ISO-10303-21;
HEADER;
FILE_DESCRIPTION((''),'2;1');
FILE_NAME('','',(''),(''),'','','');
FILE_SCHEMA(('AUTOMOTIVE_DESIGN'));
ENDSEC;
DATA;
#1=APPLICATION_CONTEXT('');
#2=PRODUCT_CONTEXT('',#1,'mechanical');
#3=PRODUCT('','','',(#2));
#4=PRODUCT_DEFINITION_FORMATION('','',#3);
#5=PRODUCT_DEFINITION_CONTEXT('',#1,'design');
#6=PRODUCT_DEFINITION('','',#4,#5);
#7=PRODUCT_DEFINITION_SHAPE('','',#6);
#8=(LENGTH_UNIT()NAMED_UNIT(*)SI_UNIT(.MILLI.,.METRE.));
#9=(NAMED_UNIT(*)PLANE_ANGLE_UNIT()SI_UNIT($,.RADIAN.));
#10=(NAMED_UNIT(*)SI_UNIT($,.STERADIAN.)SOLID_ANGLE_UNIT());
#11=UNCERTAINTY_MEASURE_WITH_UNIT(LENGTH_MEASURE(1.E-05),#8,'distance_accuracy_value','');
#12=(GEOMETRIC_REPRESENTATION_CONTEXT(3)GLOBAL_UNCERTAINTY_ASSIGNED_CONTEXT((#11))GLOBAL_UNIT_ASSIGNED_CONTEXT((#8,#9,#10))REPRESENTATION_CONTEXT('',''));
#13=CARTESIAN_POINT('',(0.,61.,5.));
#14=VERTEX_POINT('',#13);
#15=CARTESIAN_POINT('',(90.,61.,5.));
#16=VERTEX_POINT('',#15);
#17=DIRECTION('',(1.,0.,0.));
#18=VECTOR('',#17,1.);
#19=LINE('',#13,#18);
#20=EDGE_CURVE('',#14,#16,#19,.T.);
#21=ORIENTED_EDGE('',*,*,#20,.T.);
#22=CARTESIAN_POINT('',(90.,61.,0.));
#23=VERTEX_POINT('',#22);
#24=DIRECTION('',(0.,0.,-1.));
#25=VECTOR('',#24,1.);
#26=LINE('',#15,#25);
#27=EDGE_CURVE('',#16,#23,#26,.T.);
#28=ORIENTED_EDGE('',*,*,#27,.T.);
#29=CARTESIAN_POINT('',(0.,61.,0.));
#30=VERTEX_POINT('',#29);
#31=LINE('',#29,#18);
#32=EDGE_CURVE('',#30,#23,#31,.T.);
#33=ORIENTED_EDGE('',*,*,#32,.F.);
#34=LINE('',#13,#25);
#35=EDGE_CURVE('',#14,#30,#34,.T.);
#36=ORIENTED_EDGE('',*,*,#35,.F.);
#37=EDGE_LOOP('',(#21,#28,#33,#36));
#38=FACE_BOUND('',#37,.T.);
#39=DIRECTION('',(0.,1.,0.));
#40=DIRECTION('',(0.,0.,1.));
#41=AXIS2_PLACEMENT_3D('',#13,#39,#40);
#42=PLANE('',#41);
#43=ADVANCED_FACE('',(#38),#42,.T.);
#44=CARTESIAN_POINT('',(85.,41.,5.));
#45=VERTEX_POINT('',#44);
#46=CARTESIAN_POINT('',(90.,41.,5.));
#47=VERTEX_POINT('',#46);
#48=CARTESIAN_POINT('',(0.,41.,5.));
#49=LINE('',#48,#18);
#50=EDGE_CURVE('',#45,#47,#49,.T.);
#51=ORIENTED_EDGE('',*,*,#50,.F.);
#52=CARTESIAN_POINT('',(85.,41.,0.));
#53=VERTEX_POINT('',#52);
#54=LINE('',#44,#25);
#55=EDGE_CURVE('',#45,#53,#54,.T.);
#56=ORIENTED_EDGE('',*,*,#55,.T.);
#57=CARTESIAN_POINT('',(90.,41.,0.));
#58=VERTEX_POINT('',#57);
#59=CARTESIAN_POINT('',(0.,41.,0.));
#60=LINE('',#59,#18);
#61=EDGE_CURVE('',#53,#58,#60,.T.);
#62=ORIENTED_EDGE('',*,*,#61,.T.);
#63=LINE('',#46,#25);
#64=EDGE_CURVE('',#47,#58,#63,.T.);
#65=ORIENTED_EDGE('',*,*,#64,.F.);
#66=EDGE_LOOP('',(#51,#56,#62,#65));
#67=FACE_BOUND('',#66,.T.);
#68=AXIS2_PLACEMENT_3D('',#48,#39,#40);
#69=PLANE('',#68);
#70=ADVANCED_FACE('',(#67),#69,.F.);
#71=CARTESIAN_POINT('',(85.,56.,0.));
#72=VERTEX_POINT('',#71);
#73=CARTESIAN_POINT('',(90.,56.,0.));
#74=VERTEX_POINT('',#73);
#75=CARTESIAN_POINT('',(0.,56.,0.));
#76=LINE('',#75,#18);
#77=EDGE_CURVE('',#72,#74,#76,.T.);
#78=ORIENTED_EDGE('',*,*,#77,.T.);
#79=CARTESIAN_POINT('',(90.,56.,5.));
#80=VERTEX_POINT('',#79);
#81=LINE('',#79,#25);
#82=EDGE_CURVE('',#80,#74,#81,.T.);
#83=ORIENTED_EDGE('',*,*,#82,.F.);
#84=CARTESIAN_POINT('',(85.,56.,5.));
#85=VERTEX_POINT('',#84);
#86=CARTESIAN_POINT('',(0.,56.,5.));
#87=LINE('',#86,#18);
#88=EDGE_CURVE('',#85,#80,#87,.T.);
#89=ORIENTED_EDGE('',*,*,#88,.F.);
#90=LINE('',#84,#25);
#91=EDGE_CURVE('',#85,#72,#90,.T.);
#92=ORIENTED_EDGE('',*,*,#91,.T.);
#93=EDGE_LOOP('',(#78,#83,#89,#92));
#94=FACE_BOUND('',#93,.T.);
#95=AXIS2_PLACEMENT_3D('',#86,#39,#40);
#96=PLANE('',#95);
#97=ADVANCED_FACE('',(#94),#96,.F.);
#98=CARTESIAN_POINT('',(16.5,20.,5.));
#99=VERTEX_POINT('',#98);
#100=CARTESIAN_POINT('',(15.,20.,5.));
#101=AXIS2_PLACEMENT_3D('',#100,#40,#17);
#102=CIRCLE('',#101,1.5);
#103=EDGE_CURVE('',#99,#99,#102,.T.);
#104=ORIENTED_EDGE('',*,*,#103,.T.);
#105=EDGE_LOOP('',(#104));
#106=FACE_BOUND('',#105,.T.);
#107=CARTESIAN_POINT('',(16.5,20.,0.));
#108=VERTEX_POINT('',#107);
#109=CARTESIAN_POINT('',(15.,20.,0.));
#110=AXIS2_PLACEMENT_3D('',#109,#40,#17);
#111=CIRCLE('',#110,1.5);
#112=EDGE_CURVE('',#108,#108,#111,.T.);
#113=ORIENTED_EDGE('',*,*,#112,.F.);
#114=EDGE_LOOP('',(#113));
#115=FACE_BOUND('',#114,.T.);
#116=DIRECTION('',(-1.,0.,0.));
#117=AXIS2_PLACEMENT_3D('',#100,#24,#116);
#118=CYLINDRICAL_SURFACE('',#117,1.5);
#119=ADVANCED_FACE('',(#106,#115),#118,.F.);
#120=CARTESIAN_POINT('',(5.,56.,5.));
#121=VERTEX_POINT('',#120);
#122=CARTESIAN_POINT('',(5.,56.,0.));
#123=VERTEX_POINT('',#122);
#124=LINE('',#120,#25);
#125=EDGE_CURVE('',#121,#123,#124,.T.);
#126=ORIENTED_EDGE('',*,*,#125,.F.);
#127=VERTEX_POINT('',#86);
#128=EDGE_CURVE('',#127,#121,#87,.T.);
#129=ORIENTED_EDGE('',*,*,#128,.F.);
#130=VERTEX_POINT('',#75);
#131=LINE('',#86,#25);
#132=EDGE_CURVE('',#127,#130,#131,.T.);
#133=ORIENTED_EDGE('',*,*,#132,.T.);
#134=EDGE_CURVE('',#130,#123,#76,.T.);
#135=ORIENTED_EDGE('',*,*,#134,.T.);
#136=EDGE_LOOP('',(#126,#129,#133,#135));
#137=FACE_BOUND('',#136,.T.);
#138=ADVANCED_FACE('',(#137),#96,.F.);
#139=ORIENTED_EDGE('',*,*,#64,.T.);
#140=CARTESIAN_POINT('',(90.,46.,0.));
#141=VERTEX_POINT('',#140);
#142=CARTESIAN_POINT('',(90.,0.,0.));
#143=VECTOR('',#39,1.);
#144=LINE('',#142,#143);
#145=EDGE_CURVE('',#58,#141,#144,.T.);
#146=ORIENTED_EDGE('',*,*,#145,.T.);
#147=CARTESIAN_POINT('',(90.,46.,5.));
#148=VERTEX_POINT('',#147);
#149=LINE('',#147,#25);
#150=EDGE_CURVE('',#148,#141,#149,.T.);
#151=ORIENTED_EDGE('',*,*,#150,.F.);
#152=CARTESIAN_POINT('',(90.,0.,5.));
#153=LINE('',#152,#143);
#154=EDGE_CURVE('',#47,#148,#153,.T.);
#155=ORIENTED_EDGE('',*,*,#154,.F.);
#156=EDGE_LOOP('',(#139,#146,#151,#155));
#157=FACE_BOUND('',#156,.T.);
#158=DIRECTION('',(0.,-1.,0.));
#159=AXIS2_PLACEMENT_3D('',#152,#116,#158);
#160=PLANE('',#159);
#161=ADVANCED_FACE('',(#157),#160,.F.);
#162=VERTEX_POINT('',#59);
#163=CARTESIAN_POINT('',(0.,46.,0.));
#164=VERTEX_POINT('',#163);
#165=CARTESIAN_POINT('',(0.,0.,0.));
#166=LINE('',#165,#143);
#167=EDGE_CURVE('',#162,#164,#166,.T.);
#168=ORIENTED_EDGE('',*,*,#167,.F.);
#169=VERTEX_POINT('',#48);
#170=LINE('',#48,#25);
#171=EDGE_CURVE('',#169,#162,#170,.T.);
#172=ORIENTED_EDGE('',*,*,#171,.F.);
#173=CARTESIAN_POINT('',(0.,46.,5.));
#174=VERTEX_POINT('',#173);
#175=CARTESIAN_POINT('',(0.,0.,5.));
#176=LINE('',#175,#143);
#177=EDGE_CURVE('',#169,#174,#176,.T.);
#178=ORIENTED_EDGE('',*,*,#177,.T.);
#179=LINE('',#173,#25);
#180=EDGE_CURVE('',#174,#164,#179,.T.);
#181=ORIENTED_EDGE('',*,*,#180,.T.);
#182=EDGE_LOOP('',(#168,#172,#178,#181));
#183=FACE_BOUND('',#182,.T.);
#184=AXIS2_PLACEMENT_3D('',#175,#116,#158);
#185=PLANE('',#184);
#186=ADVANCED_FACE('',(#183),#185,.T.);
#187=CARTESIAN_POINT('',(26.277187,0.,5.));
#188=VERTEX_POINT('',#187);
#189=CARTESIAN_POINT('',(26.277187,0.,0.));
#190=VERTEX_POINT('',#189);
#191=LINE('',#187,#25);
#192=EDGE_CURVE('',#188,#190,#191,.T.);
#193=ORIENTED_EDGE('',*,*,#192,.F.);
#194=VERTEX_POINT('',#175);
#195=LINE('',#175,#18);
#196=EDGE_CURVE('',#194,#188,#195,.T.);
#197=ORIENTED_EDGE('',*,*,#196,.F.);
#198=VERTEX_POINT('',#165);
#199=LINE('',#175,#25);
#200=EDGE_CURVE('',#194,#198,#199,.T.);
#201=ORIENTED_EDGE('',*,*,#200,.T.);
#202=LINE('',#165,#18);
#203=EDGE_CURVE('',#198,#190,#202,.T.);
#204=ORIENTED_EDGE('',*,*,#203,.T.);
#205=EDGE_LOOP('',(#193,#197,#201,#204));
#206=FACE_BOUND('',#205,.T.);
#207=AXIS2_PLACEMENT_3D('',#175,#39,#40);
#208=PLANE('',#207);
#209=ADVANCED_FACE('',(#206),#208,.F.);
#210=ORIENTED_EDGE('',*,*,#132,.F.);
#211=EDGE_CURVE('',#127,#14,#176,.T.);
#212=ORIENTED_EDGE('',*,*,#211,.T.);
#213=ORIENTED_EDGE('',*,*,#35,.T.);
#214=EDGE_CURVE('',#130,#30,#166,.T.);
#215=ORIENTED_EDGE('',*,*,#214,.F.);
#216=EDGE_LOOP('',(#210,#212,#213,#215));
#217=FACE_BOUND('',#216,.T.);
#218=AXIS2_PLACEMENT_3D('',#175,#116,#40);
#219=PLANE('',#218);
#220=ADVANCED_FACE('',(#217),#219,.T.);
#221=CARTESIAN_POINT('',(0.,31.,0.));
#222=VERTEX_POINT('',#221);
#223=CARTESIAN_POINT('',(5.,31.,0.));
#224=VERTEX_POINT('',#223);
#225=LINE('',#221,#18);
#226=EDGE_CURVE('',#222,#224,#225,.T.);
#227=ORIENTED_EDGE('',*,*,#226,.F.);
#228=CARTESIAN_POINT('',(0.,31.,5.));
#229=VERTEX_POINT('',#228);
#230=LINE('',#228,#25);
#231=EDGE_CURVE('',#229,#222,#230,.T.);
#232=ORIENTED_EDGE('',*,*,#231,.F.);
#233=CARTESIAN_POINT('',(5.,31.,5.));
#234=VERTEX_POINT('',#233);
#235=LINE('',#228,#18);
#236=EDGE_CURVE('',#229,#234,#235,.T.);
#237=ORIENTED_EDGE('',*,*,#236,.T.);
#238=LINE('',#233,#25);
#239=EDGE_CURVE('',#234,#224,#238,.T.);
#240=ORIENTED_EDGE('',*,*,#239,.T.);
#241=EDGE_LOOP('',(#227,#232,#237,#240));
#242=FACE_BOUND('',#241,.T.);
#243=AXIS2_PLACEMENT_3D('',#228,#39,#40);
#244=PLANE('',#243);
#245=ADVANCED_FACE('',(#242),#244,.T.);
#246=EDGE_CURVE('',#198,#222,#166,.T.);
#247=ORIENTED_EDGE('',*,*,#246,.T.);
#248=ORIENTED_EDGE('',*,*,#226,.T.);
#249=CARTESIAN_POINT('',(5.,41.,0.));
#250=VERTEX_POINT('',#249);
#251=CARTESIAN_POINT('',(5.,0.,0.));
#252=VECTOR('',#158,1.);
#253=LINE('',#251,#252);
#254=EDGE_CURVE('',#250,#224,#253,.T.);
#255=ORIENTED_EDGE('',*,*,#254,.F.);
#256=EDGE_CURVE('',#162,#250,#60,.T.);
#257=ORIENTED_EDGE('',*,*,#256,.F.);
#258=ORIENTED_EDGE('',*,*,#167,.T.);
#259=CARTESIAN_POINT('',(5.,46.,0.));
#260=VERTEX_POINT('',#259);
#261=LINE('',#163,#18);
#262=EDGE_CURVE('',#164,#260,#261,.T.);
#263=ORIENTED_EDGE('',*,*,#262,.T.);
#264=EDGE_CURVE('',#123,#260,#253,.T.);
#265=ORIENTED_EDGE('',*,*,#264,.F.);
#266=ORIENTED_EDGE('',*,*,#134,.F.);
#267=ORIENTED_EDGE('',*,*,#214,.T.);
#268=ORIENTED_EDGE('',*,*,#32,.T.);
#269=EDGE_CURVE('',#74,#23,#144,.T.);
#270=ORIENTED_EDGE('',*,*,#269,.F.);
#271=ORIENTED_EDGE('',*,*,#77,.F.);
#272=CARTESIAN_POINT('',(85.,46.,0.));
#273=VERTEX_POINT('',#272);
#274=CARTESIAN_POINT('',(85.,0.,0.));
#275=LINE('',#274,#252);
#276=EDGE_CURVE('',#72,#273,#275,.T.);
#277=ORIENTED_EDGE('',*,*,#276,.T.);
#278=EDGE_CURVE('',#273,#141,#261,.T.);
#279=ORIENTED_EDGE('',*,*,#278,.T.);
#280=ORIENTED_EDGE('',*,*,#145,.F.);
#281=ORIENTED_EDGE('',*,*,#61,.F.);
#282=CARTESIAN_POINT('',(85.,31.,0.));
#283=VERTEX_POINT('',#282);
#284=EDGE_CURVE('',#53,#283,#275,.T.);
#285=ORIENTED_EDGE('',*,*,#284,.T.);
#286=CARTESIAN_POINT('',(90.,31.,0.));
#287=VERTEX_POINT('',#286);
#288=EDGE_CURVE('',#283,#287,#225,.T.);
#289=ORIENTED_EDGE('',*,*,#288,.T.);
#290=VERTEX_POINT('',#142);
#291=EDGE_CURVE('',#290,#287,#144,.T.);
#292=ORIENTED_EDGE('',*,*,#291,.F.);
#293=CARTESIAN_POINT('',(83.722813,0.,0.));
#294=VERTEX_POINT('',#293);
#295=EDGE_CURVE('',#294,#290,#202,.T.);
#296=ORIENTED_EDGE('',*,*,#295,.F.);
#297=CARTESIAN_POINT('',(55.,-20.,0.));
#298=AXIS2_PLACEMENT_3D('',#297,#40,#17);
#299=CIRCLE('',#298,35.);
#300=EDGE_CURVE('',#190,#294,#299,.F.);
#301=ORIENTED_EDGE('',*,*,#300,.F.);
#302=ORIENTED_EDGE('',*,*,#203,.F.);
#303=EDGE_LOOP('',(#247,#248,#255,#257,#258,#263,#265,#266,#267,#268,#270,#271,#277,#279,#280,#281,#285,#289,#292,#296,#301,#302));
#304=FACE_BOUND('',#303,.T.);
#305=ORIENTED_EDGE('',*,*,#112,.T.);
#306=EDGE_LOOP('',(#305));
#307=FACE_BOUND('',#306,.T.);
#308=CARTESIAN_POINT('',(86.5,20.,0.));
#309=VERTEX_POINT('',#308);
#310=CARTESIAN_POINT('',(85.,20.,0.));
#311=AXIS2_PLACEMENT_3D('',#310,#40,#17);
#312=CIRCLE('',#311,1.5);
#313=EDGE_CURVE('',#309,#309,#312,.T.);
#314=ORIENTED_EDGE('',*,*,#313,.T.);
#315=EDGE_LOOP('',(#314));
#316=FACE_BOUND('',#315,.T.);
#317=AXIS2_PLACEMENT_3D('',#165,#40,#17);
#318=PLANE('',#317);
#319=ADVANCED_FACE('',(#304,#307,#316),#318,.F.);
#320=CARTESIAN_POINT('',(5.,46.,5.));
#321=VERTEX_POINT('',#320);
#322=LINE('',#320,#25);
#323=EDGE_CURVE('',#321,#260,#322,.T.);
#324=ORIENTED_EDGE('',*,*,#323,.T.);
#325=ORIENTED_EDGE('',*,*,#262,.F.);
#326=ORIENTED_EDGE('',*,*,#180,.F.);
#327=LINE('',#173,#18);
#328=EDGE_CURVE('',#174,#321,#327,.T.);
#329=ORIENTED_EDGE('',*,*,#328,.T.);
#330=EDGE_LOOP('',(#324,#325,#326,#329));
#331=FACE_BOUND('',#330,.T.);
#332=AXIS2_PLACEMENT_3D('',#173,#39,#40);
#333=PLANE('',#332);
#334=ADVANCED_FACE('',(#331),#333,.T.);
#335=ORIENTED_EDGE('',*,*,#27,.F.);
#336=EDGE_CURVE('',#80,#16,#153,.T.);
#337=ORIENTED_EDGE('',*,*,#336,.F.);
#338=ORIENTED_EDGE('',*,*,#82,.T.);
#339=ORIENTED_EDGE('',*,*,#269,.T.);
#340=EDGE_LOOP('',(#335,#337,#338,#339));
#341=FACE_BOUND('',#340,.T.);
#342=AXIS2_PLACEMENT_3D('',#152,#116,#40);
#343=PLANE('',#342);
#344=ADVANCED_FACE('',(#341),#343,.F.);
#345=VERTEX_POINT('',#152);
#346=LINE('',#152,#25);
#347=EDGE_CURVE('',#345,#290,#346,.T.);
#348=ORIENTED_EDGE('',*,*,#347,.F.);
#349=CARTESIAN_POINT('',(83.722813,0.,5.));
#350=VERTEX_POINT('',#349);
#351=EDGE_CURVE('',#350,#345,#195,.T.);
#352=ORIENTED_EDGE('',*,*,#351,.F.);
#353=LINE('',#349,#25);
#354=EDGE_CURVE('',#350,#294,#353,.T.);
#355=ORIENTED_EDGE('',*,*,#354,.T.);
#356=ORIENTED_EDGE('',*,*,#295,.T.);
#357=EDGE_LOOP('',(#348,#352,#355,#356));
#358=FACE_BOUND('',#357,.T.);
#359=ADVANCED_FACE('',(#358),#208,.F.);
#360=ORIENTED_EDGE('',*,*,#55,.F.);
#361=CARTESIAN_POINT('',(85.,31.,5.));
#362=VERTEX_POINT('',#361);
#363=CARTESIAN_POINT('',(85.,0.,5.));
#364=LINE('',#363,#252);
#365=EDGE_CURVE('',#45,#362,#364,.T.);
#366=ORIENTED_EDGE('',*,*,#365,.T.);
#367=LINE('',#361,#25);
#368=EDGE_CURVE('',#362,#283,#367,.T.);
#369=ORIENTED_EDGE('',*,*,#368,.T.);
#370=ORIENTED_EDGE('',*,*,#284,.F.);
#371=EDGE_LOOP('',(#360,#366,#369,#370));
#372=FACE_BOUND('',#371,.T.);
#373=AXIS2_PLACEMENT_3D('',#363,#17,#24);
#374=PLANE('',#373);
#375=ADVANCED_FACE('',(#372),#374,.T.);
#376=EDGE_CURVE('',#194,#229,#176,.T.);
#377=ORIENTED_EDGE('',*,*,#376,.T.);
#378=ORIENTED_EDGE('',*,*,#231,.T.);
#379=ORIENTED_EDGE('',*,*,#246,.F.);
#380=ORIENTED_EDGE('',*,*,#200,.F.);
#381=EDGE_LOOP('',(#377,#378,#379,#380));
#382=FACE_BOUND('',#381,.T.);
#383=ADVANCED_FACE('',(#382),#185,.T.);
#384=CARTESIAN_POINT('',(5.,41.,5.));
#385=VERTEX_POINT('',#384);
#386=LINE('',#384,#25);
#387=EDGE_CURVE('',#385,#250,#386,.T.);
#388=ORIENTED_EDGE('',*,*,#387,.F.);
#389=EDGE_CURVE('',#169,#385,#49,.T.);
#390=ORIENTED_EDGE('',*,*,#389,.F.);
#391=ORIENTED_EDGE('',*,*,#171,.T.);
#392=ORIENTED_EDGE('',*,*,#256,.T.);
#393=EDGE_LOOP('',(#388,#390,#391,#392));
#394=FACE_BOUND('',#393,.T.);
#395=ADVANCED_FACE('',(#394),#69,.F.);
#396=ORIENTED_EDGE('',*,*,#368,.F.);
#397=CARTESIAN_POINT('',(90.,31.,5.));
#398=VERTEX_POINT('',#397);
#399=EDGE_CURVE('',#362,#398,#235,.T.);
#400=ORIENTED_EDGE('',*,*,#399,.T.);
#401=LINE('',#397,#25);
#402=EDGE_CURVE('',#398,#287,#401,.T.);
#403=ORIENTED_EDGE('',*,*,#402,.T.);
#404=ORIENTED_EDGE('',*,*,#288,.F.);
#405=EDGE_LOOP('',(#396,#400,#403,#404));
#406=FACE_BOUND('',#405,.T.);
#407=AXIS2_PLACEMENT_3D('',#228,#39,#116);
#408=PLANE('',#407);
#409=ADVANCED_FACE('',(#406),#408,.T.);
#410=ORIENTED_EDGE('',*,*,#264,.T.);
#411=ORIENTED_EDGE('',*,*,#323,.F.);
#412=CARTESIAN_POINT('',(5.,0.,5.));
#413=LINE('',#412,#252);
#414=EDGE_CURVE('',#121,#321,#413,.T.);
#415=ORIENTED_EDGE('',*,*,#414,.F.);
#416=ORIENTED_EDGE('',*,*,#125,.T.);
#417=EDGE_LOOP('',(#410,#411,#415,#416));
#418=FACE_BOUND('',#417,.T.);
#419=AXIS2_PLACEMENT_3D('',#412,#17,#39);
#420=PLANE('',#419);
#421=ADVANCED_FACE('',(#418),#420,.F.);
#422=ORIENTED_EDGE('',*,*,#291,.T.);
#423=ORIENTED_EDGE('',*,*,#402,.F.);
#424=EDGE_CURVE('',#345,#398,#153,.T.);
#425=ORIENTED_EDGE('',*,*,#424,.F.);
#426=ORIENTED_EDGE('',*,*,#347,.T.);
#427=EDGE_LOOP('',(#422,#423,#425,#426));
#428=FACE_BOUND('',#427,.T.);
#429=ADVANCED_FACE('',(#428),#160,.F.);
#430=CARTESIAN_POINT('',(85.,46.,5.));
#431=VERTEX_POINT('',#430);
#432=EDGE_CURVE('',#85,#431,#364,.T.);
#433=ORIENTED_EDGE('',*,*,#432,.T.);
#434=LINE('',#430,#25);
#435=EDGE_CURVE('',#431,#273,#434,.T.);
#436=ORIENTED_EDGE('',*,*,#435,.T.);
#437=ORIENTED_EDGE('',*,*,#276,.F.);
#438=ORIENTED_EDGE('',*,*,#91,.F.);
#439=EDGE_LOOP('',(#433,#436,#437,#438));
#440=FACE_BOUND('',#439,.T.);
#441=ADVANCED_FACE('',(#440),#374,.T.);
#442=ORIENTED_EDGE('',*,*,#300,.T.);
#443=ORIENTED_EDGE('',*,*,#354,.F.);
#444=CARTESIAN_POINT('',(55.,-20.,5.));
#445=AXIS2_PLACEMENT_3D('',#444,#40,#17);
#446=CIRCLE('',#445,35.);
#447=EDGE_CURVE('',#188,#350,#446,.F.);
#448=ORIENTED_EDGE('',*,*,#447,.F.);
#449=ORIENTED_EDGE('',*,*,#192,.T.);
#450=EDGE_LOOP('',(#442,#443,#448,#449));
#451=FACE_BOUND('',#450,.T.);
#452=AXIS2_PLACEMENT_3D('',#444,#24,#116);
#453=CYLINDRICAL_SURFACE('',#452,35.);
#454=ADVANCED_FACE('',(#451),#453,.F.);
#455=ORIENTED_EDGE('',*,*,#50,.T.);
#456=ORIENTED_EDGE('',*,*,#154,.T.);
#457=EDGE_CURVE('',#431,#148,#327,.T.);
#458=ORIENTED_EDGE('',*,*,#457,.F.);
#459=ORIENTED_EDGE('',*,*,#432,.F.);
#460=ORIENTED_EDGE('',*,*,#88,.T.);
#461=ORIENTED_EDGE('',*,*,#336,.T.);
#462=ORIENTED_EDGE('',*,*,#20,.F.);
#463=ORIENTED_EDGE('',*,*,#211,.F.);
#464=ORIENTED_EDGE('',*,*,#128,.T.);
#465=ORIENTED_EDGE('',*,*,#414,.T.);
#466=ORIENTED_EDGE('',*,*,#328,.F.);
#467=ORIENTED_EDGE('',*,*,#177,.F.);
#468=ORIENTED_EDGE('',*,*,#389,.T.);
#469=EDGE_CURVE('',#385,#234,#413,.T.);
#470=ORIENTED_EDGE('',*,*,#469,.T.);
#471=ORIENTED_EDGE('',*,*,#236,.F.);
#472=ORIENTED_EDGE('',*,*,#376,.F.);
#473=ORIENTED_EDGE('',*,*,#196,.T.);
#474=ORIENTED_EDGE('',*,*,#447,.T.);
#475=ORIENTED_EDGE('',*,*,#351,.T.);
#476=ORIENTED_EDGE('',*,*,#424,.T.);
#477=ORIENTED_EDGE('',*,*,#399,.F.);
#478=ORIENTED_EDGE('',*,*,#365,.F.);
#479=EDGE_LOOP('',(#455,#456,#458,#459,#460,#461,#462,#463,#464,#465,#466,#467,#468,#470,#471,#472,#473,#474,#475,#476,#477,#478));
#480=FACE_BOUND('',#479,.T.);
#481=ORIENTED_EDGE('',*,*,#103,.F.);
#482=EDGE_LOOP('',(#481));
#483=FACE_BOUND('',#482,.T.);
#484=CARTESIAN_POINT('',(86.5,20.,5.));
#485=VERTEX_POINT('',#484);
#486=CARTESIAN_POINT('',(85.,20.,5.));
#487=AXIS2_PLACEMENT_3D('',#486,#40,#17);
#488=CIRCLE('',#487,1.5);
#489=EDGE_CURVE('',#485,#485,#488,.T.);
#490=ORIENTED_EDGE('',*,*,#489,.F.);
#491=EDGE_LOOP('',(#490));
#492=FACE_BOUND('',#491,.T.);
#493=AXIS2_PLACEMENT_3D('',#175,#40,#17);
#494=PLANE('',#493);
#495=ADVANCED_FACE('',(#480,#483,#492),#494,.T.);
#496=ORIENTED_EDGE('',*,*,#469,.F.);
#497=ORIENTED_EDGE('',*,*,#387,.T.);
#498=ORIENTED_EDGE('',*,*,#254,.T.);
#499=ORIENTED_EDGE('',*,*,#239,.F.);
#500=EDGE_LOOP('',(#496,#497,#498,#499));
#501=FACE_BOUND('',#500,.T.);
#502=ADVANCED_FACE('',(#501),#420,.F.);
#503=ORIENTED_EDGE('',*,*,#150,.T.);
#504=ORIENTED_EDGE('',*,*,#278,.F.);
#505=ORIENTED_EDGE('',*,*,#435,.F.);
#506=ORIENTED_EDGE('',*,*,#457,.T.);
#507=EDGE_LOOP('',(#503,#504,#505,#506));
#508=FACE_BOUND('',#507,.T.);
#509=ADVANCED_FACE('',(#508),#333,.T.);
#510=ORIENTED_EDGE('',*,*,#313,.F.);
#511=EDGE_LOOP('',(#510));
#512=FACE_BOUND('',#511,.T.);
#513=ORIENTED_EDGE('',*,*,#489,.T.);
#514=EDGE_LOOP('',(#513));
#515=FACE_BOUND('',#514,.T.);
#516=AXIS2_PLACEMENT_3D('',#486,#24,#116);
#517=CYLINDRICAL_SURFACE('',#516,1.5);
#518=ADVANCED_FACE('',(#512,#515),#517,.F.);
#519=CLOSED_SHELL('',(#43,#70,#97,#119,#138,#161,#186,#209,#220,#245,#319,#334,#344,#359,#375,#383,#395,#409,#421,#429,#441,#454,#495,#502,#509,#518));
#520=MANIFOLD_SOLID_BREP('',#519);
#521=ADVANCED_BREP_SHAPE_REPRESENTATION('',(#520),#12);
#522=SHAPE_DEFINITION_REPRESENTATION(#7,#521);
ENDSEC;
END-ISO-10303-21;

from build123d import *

# Parameters (mm, degrees)
ESQUISSE1_R        = 1.5
BOSS_EXTRU_1_DEPTH = 5


with BuildPart() as part:
    # Esquisse1 → Boss.-Extru.1 (new body)
    with BuildSketch(Plane.XY):
        with BuildLine():
            Line((0, 0), (26.277186767, 0))
            ThreePointArc((26.277186767, 0), (55, 15), (83.722813233, 0))
            Line((83.722813233, 0), (90, 0))
            Line((90, 0), (90, 31))
            Line((90, 31), (85, 31))
            Line((85, 31), (85, 41))
            Line((85, 41), (90, 41))
            Line((90, 41), (90, 46))
            Line((90, 46), (85, 46))
            Line((85, 46), (85, 56))
            Line((85, 56), (90, 56))
            Line((90, 56), (90, 61))
            Line((90, 61), (0, 61))
            Line((0, 61), (0, 56))
            Line((0, 56), (5, 56))
            Line((5, 56), (5, 46))
            Line((5, 46), (0, 46))
            Line((0, 46), (0, 41))
            Line((0, 41), (5, 41))
            Line((5, 41), (5, 31))
            Line((5, 31), (0, 31))
            Line((0, 31), (0, 0))
        make_face()
        with Locations((85, 20)):
            Circle(ESQUISSE1_R, mode=Mode.SUBTRACT)
        with Locations((15, 20)):
            Circle(ESQUISSE1_R, mode=Mode.SUBTRACT)
    extrude(amount=BOSS_EXTRU_1_DEPTH)


solid = part.part
